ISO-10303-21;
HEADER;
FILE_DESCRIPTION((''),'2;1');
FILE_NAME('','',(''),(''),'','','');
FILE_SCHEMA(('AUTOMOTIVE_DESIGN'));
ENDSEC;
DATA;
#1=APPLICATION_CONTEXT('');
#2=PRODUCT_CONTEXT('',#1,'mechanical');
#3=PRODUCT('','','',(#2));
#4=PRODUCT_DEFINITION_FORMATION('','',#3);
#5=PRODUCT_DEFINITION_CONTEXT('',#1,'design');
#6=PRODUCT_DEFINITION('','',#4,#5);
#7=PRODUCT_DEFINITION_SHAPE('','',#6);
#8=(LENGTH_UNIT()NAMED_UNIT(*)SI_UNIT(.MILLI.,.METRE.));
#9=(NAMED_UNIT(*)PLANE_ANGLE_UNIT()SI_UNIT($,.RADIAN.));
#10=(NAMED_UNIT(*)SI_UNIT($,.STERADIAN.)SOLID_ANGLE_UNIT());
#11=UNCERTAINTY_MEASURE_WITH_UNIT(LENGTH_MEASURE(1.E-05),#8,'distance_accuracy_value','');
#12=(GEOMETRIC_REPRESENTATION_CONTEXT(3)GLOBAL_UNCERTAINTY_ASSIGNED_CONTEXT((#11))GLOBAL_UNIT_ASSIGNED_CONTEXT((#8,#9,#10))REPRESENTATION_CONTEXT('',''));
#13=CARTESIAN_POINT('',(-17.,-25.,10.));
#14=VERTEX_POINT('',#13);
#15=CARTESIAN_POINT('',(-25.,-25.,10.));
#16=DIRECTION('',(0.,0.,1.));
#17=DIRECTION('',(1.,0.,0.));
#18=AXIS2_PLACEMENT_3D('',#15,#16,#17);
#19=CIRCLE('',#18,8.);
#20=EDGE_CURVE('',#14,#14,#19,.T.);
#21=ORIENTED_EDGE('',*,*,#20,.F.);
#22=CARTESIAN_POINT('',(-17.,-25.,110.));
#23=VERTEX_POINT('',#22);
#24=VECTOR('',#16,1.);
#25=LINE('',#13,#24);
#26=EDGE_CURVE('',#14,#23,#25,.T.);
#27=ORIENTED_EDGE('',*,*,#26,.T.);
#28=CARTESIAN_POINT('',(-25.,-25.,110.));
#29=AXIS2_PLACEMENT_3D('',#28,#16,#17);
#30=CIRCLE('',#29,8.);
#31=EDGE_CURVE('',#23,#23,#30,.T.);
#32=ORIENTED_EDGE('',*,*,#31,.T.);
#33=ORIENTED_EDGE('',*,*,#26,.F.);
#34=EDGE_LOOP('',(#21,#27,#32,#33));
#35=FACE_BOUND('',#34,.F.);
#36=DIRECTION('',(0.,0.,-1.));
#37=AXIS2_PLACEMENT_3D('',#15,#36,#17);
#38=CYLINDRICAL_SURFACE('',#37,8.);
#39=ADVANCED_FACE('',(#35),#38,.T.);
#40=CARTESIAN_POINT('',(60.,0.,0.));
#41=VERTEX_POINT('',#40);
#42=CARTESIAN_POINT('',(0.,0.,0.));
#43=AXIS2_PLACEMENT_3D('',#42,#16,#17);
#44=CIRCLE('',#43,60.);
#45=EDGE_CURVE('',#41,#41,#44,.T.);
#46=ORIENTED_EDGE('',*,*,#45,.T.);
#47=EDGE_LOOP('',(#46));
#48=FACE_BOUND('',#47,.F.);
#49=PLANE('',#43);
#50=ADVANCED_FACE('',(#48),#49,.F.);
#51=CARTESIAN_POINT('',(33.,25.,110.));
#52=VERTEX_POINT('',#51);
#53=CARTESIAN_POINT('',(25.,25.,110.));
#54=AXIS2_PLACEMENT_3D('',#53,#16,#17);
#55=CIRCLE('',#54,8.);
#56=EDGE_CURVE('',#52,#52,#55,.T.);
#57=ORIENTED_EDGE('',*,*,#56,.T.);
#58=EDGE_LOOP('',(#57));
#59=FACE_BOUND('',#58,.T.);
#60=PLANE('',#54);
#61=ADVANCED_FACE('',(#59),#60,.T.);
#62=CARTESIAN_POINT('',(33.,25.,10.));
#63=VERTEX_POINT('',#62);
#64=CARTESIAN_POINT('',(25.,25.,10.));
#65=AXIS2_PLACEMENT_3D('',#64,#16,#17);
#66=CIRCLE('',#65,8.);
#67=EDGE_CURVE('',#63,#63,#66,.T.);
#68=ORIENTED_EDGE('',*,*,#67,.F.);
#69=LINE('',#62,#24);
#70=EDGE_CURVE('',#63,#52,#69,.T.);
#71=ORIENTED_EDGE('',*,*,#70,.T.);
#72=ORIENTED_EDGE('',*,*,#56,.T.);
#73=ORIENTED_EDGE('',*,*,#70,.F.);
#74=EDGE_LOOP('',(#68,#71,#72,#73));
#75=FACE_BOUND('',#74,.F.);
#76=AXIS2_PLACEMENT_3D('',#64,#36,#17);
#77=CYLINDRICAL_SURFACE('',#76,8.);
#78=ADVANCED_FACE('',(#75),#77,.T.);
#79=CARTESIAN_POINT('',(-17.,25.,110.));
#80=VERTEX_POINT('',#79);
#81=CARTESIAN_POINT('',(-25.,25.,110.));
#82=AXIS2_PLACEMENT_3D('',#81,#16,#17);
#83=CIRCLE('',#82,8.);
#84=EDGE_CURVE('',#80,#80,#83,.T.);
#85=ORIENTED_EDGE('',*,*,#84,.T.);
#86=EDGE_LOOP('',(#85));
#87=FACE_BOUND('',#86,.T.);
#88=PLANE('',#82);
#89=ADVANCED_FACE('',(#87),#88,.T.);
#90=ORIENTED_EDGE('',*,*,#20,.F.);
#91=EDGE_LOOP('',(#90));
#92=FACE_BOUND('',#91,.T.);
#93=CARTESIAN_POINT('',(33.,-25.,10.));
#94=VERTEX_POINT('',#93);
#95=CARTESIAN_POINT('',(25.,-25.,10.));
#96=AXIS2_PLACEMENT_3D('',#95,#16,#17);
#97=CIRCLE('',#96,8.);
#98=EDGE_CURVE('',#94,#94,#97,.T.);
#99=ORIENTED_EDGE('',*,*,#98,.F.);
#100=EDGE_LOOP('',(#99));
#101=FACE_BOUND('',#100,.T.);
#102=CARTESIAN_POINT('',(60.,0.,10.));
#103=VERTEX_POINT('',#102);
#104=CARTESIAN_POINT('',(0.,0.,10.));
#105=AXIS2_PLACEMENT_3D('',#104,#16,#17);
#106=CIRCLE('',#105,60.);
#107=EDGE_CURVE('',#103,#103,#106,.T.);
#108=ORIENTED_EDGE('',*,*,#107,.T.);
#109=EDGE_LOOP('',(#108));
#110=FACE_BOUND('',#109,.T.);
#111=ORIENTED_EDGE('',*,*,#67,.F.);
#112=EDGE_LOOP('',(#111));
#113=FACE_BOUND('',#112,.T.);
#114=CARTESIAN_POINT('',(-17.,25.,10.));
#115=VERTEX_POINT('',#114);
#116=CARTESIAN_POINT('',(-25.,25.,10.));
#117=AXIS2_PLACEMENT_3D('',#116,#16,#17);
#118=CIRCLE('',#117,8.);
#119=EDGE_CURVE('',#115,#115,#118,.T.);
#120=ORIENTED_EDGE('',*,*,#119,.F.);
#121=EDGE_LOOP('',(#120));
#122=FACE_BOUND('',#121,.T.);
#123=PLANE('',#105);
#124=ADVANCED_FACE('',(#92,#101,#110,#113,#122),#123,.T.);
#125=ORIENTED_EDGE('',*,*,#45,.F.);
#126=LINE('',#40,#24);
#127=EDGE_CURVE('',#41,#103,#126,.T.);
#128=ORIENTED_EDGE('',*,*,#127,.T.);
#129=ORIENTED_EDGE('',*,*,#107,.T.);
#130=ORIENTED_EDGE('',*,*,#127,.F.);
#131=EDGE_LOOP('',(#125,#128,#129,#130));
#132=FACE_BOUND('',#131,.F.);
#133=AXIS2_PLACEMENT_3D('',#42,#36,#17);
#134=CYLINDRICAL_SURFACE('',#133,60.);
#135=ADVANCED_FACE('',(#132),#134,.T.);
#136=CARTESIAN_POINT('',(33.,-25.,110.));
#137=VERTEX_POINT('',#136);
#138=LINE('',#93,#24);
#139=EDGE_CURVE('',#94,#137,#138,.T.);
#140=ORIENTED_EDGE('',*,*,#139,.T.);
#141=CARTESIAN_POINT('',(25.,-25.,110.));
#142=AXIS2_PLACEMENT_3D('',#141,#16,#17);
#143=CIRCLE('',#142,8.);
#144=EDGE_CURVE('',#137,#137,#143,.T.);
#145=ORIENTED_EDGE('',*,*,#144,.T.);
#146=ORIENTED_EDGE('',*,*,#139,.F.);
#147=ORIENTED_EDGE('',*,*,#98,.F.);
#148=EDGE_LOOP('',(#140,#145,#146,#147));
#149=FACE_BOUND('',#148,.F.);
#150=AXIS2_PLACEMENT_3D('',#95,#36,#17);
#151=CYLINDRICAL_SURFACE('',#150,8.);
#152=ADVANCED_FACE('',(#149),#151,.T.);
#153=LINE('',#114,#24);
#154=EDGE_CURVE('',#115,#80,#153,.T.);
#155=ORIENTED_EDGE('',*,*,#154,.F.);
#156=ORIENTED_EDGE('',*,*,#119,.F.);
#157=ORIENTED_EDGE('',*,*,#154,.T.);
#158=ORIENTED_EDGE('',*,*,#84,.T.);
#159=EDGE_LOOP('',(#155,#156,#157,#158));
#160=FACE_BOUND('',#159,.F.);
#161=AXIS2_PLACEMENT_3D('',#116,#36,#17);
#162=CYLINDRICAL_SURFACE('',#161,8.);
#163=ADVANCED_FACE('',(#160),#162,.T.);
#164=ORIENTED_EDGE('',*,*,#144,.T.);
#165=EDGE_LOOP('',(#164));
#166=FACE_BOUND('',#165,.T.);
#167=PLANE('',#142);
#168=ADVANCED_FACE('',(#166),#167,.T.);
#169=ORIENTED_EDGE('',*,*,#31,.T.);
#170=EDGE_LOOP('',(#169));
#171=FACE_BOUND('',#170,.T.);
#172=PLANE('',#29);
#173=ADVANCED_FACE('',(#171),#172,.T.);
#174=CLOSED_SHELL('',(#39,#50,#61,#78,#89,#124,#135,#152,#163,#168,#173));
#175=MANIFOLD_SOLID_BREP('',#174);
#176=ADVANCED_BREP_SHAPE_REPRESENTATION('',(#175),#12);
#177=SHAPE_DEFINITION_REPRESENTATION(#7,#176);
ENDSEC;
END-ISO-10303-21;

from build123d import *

# Parameters (mm, degrees)
SKETCH_R     = 60
PAD_DEPTH    = 10
SKETCH001_R  = 8
PAD001_DEPTH = 100


with BuildPart() as part:
    # Sketch → Pad (new body)
    with BuildSketch(Plane.XY):
        Circle(SKETCH_R)
    extrude(amount=PAD_DEPTH)

    # Sketch001 (on Face3 of Pad) → Pad001 (join)
    with BuildSketch(Plane.XY.offset(10)):
        with Locations((-25, 25)):
            Circle(SKETCH001_R)
        with Locations((25, 25)):
            Circle(SKETCH001_R)
        with Locations((-25, -25)):
            Circle(SKETCH001_R)
        with Locations((25, -25)):
            Circle(SKETCH001_R)
    extrude(amount=PAD001_DEPTH)


solid = part.part
